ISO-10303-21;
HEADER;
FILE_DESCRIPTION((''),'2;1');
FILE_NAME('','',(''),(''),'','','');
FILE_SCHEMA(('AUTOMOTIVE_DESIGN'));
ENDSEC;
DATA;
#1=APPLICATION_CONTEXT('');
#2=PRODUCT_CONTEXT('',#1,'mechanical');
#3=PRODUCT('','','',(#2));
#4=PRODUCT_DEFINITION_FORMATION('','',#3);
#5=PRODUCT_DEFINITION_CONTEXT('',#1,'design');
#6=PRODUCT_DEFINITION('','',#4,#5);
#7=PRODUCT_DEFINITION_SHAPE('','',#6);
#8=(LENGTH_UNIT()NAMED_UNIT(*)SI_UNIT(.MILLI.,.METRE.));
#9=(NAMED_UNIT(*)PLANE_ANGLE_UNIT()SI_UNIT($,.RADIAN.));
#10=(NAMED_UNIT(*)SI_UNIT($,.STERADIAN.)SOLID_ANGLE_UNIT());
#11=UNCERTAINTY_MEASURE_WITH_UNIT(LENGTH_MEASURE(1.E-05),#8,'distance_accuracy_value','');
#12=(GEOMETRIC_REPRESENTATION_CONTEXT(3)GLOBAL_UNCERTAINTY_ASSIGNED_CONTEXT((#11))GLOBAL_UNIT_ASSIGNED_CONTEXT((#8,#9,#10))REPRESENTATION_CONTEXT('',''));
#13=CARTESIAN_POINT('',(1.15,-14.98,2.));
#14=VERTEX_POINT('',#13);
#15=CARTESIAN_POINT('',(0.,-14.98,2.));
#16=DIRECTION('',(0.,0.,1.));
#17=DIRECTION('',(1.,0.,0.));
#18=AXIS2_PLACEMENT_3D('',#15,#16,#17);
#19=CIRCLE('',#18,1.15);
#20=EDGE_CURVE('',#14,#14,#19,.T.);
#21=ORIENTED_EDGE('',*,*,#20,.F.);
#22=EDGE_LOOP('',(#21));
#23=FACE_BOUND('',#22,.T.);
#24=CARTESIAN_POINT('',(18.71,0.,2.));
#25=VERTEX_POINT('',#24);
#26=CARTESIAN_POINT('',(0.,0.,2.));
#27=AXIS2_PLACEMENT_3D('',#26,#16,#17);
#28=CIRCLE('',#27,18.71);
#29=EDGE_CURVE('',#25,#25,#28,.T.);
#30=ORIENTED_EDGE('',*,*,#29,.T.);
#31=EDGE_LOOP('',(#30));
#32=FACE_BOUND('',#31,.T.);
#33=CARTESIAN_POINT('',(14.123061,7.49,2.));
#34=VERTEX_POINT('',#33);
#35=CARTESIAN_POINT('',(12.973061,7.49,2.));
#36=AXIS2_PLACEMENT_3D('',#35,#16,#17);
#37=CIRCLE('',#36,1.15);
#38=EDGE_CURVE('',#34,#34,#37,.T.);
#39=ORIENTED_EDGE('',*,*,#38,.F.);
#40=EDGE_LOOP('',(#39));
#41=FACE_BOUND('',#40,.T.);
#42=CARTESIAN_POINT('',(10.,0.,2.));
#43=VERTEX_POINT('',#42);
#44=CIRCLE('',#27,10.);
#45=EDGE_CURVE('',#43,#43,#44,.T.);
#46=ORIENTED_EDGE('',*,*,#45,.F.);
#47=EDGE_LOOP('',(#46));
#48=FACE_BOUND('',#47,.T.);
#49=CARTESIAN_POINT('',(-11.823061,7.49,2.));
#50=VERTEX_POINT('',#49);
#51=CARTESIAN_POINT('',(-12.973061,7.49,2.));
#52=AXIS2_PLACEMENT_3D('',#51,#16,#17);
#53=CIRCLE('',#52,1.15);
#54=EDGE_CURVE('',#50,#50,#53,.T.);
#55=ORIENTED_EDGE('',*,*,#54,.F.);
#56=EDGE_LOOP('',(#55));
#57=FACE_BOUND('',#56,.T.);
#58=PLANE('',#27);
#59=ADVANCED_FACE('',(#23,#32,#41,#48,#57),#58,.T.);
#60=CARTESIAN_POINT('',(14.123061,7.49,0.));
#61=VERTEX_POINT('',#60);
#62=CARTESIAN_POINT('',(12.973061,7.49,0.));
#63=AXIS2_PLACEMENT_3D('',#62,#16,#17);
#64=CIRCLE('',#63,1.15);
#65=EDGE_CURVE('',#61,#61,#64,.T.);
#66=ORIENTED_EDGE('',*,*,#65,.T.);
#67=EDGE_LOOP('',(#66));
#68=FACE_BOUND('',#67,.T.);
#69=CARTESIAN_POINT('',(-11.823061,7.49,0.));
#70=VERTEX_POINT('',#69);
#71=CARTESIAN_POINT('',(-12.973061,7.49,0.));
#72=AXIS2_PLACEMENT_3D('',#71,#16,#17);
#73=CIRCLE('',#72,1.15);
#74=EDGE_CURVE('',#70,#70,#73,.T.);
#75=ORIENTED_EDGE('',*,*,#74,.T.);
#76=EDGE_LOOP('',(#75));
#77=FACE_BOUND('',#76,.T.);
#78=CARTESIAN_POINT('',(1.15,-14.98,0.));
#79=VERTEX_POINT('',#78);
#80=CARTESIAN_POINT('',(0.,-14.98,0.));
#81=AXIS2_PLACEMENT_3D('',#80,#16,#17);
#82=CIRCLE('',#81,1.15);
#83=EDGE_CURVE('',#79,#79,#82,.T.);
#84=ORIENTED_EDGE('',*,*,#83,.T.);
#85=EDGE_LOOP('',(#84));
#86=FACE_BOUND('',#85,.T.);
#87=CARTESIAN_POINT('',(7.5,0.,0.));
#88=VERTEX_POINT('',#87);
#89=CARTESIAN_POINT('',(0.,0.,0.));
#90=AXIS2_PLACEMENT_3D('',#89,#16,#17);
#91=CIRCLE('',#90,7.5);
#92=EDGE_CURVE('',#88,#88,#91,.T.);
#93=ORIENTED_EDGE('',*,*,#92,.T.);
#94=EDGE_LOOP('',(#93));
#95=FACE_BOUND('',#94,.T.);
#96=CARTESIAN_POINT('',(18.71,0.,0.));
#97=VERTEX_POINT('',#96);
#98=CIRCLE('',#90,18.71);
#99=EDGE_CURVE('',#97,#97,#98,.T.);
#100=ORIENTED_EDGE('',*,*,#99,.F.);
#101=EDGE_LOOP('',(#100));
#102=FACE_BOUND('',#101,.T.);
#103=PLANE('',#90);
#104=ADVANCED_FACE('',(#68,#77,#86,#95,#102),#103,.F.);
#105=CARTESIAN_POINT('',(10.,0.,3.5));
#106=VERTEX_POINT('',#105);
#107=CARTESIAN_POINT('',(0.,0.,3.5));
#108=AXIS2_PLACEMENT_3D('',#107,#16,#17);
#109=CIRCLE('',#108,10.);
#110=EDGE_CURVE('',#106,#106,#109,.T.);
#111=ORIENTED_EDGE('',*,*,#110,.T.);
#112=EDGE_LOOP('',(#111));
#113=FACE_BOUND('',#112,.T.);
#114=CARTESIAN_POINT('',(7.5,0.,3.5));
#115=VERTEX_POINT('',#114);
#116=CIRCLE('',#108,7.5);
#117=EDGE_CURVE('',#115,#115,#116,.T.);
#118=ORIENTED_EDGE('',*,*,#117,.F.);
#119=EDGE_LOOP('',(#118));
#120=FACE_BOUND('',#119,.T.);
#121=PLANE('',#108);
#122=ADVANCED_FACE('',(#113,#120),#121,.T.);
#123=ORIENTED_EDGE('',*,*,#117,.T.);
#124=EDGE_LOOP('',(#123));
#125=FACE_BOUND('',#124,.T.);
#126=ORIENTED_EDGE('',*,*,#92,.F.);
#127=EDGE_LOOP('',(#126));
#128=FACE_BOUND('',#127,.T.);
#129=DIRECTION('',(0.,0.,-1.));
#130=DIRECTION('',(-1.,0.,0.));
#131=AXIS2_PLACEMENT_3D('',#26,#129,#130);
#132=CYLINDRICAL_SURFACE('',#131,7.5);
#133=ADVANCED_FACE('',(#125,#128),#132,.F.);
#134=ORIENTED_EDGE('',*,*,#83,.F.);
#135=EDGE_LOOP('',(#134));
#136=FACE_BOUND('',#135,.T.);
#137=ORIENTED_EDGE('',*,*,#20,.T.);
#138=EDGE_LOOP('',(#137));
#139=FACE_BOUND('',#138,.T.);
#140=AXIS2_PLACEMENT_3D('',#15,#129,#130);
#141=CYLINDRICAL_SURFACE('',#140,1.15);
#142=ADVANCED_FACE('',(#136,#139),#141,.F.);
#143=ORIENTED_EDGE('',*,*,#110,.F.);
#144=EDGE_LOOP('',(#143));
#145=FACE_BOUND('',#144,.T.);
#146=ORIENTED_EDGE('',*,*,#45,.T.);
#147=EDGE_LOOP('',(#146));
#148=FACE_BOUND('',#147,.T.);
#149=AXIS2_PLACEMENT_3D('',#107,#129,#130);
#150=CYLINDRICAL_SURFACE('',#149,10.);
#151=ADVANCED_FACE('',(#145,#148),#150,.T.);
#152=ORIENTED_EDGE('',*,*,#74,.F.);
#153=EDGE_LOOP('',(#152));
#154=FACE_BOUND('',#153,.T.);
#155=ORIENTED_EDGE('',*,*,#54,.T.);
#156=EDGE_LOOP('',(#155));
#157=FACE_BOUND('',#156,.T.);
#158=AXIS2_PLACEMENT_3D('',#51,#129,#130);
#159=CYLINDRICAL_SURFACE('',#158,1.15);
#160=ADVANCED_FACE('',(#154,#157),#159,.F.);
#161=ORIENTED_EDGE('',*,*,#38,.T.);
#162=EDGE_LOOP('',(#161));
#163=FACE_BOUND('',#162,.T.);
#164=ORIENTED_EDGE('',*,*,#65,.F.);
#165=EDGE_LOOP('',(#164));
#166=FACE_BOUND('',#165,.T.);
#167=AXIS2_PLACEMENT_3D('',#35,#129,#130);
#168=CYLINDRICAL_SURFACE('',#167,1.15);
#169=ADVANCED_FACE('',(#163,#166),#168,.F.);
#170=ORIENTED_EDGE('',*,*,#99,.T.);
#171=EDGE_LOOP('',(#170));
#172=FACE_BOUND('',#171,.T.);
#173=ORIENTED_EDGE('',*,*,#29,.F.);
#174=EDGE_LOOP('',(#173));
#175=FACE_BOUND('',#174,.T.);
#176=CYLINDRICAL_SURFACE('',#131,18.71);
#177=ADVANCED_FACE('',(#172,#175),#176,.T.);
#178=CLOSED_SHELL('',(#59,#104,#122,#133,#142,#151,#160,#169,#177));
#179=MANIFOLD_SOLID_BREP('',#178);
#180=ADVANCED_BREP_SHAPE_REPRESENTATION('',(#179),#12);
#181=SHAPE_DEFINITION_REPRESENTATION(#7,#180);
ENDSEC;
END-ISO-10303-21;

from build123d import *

# Parameters (mm, degrees)
SKETCH1_R           = 18.71
SKETCH1_R_2         = 1.15
SKETCH1_R_3         = 7.5
BOSS_EXTRUDE1_DEPTH = 2
SKETCH2_R           = 10
SKETCH2_R_2         = 7.5
BOSS_EXTRUDE2_DEPTH = 1.5


with BuildPart() as part:
    # Sketch1 → Boss-Extrude1 (new body)
    with BuildSketch(Plane.XY):
        Circle(SKETCH1_R)
        with Locations((0, -14.98)):
            Circle(SKETCH1_R_2, mode=Mode.SUBTRACT)
        with Locations((-12.973060549, 7.49)):
            Circle(SKETCH1_R_2, mode=Mode.SUBTRACT)
        with Locations((12.973060549, 7.49)):
            Circle(SKETCH1_R_2, mode=Mode.SUBTRACT)
        Circle(SKETCH1_R_3, mode=Mode.SUBTRACT)
    extrude(amount=BOSS_EXTRUDE1_DEPTH)

    # Sketch2 → Boss-Extrude2 (add)
    with BuildSketch(Plane.XY.offset(2)):
        Circle(SKETCH2_R)
        Circle(SKETCH2_R_2, mode=Mode.SUBTRACT)
    extrude(amount=BOSS_EXTRUDE2_DEPTH)


solid = part.part
